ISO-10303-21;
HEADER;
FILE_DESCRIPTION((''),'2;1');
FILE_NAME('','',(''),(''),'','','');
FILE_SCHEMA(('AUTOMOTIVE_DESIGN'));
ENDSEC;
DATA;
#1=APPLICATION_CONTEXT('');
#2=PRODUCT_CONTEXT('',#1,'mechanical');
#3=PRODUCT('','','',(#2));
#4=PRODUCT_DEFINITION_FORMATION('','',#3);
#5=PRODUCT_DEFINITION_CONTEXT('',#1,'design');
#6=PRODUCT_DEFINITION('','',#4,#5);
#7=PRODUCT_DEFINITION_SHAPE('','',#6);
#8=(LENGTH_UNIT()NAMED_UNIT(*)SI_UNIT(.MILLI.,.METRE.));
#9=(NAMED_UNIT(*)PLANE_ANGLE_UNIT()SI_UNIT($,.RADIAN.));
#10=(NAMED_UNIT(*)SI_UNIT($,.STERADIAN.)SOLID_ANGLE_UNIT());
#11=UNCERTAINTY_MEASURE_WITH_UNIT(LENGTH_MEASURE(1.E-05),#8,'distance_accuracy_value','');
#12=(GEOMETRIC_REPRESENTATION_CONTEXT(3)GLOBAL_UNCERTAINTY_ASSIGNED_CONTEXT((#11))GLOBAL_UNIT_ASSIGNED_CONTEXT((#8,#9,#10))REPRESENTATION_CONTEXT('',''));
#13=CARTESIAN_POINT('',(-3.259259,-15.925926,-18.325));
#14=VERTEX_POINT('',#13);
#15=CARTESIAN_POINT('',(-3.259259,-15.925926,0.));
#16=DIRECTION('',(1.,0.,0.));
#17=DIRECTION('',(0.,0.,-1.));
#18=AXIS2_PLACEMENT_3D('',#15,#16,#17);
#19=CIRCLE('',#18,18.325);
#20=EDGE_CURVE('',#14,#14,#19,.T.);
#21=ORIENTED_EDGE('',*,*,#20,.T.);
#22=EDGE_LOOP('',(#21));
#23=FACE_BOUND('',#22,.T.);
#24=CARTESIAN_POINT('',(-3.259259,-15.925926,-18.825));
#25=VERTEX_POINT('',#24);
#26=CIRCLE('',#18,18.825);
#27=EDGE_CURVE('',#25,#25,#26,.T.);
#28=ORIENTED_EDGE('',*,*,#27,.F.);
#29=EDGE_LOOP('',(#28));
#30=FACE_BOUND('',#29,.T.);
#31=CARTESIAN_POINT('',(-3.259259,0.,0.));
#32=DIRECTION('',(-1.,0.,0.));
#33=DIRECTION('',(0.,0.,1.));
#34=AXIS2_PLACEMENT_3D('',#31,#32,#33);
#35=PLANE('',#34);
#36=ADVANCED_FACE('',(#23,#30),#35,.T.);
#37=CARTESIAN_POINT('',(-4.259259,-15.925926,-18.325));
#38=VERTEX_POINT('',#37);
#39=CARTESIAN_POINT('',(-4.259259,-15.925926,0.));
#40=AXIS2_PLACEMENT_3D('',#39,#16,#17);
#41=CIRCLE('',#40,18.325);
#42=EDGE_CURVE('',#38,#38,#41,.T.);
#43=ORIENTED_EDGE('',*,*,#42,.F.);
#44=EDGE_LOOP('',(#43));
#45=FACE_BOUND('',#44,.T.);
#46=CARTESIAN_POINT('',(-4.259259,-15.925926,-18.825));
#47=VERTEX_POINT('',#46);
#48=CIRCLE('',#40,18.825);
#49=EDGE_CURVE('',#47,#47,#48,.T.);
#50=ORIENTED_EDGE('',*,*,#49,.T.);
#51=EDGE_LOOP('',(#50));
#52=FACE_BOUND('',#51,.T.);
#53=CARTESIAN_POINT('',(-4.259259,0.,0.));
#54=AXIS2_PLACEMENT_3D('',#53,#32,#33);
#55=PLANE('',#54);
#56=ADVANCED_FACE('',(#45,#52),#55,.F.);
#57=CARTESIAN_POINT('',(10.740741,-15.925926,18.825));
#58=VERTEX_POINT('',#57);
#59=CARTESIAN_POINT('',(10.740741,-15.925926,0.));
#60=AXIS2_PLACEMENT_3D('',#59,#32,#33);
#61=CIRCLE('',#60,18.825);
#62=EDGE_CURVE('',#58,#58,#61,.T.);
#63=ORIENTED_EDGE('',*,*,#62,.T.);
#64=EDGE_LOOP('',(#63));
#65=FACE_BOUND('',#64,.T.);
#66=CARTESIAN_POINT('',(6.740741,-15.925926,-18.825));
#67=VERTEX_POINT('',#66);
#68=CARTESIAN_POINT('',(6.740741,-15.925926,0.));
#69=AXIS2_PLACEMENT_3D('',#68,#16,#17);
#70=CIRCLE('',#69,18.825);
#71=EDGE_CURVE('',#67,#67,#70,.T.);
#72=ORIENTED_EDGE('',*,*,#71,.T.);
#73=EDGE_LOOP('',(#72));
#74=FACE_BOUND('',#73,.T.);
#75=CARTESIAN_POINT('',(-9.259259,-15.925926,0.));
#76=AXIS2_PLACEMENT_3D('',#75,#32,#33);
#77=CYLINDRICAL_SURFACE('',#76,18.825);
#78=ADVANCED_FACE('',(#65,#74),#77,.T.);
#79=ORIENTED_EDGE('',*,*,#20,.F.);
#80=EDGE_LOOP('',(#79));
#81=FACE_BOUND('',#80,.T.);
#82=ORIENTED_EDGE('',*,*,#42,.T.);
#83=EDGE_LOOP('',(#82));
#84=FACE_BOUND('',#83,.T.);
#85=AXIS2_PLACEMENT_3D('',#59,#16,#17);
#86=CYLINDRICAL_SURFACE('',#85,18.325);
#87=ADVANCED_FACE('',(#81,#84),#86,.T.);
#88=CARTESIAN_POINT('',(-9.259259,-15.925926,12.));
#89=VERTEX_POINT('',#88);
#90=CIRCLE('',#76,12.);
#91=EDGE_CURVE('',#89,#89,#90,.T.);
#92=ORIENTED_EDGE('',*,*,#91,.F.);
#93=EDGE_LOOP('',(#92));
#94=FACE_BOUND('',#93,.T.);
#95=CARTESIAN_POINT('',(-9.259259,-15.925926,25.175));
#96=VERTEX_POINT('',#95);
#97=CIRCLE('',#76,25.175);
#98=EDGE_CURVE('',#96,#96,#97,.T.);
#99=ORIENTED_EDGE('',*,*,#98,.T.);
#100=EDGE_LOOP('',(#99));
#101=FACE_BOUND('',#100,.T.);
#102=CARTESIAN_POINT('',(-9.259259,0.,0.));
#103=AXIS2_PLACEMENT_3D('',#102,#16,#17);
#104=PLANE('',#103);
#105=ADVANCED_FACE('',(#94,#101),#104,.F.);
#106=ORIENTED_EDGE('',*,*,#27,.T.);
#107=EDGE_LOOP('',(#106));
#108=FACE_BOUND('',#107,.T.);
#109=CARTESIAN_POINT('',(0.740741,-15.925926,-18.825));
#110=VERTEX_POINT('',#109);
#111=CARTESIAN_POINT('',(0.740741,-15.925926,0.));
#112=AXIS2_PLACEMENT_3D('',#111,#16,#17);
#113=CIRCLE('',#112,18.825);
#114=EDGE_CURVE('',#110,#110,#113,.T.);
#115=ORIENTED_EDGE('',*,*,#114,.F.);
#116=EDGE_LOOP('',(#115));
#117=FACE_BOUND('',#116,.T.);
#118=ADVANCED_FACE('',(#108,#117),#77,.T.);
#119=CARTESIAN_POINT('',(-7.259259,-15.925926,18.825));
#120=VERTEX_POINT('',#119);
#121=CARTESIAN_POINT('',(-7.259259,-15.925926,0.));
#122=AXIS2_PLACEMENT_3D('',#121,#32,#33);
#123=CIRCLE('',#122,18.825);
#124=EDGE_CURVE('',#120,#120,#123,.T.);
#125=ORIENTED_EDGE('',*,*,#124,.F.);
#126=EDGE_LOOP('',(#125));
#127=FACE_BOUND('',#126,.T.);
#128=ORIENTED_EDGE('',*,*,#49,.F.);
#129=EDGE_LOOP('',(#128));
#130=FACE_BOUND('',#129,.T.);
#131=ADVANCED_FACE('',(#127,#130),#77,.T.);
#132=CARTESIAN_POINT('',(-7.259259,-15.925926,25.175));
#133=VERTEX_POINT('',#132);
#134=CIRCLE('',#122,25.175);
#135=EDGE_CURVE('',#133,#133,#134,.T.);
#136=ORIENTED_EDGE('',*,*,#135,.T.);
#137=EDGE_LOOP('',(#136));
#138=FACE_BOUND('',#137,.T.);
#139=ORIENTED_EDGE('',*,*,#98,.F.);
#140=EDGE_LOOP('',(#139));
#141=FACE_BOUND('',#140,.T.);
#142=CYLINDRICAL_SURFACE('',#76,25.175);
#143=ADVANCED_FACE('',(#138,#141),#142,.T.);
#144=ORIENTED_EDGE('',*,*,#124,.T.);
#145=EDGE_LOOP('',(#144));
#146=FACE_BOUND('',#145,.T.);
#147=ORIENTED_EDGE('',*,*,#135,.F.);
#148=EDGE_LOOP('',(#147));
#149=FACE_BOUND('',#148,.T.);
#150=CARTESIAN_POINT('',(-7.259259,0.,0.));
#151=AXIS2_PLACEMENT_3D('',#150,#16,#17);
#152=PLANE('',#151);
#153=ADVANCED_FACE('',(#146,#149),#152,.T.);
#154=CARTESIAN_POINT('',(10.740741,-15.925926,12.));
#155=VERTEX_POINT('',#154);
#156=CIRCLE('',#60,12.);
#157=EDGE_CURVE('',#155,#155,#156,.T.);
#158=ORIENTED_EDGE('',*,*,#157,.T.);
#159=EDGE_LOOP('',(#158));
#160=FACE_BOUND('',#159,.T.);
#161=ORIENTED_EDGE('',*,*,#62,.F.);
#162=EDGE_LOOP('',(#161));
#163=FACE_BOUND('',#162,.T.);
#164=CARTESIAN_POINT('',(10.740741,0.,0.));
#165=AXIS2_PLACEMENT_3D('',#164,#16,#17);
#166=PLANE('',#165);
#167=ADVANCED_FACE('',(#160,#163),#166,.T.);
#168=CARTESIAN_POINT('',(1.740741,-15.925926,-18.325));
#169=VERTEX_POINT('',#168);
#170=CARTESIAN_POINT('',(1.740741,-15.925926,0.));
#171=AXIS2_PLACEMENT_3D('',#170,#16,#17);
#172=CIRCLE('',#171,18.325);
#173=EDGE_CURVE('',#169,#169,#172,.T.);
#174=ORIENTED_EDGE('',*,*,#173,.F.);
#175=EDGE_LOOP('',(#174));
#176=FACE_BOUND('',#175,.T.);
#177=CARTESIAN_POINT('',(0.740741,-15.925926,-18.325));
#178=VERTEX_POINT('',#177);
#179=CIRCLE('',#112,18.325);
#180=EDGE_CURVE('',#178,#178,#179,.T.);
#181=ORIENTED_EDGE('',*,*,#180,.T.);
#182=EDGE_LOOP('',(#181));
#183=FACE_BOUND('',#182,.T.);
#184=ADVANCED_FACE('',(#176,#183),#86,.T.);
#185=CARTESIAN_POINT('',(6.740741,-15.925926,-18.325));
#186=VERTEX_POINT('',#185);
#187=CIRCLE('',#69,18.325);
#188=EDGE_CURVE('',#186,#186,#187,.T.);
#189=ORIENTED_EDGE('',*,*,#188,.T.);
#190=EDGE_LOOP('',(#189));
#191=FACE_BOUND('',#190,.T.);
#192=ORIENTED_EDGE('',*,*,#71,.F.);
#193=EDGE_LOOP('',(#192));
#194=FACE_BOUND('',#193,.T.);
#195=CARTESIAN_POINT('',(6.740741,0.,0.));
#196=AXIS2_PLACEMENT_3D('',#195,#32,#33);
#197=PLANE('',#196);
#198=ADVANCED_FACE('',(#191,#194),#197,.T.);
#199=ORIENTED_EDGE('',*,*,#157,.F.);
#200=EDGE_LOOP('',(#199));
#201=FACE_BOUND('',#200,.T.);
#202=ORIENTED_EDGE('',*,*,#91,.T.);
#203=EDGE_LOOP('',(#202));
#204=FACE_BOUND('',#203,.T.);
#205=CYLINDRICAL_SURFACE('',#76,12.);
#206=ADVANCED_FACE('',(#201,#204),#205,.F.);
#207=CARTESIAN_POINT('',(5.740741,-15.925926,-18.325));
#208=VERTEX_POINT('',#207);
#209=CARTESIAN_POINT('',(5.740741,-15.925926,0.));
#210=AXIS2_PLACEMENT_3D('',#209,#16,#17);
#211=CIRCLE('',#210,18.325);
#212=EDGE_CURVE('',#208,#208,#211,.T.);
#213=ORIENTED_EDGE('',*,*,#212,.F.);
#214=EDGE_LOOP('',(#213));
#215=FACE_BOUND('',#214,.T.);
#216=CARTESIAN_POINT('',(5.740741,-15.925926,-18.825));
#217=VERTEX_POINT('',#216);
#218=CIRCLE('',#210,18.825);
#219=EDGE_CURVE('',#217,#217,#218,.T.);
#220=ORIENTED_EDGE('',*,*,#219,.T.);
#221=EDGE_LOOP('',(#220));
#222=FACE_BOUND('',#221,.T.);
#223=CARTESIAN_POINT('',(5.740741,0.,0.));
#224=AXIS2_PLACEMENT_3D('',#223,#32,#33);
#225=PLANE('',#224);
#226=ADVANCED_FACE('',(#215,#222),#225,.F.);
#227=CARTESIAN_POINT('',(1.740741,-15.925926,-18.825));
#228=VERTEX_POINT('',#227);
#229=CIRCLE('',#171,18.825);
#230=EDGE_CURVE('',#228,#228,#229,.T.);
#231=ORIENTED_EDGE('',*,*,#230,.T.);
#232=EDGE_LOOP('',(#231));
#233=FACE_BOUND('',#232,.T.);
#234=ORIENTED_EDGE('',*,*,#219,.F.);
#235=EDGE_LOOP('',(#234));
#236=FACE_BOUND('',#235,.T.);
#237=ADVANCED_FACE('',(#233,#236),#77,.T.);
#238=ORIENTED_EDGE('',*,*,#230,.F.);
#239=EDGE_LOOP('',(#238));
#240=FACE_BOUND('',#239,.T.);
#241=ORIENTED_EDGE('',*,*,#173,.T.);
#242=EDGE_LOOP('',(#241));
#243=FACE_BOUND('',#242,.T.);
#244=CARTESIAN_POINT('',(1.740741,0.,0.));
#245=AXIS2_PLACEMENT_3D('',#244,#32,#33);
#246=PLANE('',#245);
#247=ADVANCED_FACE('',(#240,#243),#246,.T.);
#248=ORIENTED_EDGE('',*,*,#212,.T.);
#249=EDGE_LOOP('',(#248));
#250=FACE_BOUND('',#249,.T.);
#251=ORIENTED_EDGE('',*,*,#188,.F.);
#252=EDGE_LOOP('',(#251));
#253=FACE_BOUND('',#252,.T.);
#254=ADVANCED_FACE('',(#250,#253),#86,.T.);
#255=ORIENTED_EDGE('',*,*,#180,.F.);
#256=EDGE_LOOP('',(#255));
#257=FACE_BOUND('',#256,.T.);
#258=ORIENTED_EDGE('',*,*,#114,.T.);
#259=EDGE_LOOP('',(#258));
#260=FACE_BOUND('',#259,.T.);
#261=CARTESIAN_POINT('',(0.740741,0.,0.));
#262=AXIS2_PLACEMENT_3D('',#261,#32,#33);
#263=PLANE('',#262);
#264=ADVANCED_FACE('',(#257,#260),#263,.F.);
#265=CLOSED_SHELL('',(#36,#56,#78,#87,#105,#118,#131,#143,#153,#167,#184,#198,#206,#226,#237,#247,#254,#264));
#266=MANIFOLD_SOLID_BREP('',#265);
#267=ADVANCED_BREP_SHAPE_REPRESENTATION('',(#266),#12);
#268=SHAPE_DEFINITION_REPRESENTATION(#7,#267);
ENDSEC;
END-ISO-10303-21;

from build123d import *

# Parameters (mm, degrees)
SKETCH2_W = 1
SKETCH2_H = 0.5


with BuildPart() as part:
    # Sketch1 → Revolve1 (revolve)
    with BuildSketch(Plane.XY, mode=Mode.PRIVATE) as revolve1_sk:
        Polygon((10.740740741, -3.925925926), (-9.259259259, -3.925925926), (-9.259259259, 9.249074074), (-7.259259259, 9.249074074), (-7.259259259, 2.899074074), (10.740740741, 2.899074074), align=None)
    revolve(revolve1_sk.sketch.rotate(Axis((-9.259259259, -15.925925926, 0), (1, 0, 0)), 90), axis=Axis((-9.259259259, -15.925925926, 0), (1, 0, 0)))

    # Sketch2 → Cut-Revolve1 (revolve, cut)
    with BuildSketch(Plane.XY, mode=Mode.PRIVATE) as cut_revolve1_sk:
        with Locations((6.240740741, 2.649074074)):
            Rectangle(SKETCH2_W, SKETCH2_H)
        with Locations((1.240740741, 2.649074074)):
            Rectangle(SKETCH2_W, SKETCH2_H)
        with Locations((-3.759259259, 2.649074074)):
            Rectangle(SKETCH2_W, SKETCH2_H)
    revolve(cut_revolve1_sk.sketch.rotate(Axis((10.740740741, -15.925925926, 0), (-1, 0, 0)), 90), axis=Axis((10.740740741, -15.925925926, 0), (-1, 0, 0)), mode=Mode.SUBTRACT)


solid = part.part
